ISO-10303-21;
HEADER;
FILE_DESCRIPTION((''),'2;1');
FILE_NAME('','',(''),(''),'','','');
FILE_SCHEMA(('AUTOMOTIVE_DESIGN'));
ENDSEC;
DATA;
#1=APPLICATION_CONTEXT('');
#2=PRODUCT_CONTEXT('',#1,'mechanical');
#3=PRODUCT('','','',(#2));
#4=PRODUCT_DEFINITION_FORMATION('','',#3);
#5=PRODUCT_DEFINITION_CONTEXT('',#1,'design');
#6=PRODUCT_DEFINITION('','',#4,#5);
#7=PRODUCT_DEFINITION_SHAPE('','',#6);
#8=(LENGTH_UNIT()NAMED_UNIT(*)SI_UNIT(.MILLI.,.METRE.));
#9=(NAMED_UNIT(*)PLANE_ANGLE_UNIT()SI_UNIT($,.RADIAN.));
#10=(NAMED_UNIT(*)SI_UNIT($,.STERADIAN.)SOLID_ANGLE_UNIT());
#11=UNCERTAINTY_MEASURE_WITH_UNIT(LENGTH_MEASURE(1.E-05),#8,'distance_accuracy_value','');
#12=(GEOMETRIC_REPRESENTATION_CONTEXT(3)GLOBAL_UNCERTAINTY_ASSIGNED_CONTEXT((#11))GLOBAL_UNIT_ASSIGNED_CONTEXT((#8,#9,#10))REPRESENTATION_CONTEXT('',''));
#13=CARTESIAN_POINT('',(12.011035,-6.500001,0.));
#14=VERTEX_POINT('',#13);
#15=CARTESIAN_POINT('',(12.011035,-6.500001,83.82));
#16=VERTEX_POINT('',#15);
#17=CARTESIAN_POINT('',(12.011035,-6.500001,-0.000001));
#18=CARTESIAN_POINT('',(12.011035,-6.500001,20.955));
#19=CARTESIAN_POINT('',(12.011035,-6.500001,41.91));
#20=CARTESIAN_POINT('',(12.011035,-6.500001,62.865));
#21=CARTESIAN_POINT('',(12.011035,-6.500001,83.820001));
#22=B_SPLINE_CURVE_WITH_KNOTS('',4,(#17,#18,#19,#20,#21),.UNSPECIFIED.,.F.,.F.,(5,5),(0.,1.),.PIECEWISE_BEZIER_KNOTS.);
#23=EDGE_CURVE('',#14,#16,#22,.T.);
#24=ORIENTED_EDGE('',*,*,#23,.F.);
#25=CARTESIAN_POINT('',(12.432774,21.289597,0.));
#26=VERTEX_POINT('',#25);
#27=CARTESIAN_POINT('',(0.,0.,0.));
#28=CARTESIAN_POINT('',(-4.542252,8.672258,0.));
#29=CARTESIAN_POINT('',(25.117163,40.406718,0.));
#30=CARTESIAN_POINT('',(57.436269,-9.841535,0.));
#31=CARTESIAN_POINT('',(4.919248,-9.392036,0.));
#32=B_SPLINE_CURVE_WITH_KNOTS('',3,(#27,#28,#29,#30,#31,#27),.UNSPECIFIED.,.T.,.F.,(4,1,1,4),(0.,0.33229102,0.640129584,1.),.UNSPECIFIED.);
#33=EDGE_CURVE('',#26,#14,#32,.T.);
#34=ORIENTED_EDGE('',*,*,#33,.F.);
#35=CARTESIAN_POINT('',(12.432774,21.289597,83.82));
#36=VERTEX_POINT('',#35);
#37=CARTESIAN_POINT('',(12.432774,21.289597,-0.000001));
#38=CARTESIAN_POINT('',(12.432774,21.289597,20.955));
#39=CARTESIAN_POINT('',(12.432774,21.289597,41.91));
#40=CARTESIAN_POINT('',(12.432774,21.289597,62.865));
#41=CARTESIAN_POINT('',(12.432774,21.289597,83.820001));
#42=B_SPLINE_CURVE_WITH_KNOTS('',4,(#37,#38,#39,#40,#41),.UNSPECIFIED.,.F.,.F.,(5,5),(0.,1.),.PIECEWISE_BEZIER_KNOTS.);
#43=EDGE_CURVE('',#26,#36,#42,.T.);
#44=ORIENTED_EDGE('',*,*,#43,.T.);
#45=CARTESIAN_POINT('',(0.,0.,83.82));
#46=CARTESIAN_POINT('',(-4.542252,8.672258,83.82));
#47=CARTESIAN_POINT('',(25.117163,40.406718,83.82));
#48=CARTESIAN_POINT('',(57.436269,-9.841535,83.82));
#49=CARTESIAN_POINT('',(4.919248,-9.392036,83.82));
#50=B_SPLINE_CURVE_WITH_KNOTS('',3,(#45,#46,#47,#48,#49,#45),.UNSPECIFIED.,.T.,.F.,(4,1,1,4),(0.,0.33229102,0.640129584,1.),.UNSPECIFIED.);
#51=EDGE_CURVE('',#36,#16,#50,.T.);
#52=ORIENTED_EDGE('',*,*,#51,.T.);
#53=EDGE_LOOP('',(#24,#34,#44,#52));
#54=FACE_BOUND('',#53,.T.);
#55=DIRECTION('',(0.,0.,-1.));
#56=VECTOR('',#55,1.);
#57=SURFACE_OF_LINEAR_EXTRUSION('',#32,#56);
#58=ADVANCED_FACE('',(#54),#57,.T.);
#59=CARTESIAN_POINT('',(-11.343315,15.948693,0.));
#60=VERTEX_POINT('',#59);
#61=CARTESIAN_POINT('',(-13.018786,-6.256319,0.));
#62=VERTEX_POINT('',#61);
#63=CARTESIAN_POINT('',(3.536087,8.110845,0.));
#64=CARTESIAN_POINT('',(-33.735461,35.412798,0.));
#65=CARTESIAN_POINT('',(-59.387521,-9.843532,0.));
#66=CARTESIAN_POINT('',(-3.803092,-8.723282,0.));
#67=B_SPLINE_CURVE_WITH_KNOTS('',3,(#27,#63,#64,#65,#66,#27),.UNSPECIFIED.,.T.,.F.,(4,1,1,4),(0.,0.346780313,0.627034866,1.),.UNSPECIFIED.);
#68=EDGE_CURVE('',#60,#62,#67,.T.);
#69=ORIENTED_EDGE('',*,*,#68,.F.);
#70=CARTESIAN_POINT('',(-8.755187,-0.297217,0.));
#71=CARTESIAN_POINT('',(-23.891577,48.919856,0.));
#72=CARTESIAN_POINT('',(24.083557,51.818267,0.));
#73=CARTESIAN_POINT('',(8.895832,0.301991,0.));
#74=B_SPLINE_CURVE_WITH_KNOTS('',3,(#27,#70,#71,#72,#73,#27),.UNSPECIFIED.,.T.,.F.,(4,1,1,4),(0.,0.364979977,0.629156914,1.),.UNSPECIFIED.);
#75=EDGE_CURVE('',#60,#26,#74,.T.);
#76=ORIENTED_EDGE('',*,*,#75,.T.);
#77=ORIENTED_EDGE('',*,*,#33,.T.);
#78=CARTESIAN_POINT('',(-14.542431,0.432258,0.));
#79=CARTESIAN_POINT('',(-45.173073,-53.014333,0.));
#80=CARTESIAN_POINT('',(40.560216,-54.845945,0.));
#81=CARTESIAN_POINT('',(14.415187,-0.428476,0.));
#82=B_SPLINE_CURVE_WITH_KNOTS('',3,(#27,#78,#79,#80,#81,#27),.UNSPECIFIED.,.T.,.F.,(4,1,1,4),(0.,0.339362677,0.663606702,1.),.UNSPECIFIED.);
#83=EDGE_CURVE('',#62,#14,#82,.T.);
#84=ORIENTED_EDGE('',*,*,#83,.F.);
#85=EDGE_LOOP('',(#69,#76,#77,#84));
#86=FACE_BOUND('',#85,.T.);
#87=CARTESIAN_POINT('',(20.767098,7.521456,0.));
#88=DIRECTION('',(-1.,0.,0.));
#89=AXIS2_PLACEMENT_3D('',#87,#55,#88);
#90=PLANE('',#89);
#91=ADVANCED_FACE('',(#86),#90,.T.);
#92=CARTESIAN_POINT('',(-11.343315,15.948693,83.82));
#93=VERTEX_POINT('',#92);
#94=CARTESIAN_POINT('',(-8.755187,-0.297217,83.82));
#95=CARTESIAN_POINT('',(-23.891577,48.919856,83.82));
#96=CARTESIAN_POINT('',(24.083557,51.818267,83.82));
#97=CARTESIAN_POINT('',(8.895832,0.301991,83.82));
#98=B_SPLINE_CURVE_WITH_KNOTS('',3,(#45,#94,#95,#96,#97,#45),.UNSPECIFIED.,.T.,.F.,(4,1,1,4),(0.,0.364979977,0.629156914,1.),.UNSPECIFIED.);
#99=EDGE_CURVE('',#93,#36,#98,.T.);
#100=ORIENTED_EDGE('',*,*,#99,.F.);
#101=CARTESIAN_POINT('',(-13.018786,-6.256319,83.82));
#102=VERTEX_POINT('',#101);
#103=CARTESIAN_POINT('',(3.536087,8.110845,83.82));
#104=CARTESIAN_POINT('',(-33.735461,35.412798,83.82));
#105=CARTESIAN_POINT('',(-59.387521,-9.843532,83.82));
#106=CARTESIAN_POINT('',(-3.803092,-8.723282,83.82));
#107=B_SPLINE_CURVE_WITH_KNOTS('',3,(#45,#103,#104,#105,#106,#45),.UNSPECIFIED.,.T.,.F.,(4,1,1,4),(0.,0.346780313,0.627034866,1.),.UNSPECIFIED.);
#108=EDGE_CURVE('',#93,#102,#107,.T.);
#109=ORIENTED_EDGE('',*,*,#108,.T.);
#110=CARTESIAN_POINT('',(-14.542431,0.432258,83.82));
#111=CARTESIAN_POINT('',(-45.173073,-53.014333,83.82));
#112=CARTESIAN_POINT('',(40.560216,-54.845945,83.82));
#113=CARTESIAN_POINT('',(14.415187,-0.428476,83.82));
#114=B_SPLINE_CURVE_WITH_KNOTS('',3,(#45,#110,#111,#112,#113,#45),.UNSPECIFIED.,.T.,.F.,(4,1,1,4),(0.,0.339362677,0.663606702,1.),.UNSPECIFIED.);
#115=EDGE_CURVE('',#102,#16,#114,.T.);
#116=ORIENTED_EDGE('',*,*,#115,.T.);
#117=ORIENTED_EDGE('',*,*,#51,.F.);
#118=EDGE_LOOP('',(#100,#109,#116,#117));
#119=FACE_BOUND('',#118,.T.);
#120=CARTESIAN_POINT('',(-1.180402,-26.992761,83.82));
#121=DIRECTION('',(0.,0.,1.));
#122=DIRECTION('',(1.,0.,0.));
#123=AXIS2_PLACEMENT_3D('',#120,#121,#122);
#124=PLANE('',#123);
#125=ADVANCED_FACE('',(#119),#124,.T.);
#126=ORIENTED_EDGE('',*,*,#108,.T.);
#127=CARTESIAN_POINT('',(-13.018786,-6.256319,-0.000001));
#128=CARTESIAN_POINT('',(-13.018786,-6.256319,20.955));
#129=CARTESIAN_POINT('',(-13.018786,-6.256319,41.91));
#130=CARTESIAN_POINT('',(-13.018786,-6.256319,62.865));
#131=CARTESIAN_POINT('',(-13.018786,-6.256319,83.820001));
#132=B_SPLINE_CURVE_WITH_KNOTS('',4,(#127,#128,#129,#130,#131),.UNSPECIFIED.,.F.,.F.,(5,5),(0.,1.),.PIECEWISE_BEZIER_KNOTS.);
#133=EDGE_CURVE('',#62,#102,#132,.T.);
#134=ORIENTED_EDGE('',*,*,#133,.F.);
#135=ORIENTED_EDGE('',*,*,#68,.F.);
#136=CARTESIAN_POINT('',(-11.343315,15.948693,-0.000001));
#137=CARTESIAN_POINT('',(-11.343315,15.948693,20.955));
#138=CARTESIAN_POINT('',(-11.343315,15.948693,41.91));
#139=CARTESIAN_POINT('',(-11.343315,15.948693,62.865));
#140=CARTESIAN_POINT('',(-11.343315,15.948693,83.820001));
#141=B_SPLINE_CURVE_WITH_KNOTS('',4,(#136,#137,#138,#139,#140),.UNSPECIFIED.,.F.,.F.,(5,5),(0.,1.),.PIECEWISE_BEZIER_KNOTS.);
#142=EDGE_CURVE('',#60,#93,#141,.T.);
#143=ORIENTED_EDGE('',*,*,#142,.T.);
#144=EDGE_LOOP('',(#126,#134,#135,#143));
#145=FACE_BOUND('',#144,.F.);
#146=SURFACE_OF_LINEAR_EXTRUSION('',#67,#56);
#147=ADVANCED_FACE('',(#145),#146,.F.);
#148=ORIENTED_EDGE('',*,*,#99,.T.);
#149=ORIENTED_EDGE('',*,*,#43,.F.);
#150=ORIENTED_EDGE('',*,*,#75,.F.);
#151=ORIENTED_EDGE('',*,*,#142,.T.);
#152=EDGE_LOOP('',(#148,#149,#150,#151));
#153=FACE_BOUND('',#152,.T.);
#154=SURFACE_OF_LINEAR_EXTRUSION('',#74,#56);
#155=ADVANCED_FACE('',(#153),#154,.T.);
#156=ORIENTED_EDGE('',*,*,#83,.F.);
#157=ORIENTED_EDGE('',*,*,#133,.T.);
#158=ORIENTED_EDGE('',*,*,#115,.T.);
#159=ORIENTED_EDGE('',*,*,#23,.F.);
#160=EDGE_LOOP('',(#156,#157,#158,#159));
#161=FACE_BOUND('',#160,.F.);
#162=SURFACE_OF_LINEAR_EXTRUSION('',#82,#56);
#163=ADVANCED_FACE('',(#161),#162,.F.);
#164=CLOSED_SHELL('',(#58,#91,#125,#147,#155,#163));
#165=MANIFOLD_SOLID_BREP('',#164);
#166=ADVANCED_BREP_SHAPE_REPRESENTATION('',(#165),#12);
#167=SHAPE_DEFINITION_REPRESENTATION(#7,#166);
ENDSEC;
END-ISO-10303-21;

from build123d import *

# Parameters (mm, degrees)
F1_DEPTH = 83.82
F3_DEPTH = 83.82
F5_DEPTH = 83.82
F7_DEPTH = 83.82


with BuildPart() as f1:
    # F0 (on Top) → F1 (new body)
    with BuildSketch(Plane.XY):
        with BuildLine():
            add(Edge.make_bspline(
                [(0, 0), (-4.542251788, 8.6722579806), (25.117162513, 40.4067182608), (57.4362688361, -9.8415354303), (4.9192483223, -9.3920356053), (0, 0)],
                knots=[0, 0, 0, 0, 0.3322910196, 0.640129584, 1, 1, 1, 1], degree=3))
        make_face()
    extrude(amount=F1_DEPTH)

    # F2 (on Top) → F3 (join)
    with BuildSketch(Plane.XY):
        with BuildLine():
            add(Edge.make_bspline(
                [(0, 0), (3.5360873129, 8.1108450651), (-33.7354607969, 35.4127978008), (-59.3875210851, -9.8435318092), (-3.8030915501, -8.7232818657), (0, 0)],
                knots=[0, 0, 0, 0, 0.3467803128, 0.6270348663, 1, 1, 1, 1], degree=3))
        make_face()
    extrude(amount=F3_DEPTH)

    # F4 (on Top) → F5 (join)
    with BuildSketch(Plane.XY):
        with BuildLine():
            add(Edge.make_bspline(
                [(0, 0), (-8.7551870735, -0.2972169463), (-23.8915766626, 48.9198558265), (24.0835572587, 51.8182670564), (8.8958321097, 0.3019914974), (0, 0)],
                knots=[0, 0, 0, 0, 0.3649799766, 0.6291569137, 1, 1, 1, 1], degree=3))
        make_face()
    extrude(amount=F5_DEPTH)

    # F6 (on Top) → F7 (join)
    with BuildSketch(Plane.XY):
        with BuildLine():
            add(Edge.make_bspline(
                [(0, 0), (-14.5424313234, 0.4322577323), (-45.1730729091, -53.0143331062), (40.5602157338, -54.8459450659), (14.4151869246, -0.4284755329), (0, 0)],
                knots=[0, 0, 0, 0, 0.3393626771, 0.6636067025, 1, 1, 1, 1], degree=3))
        make_face()
    extrude(amount=F7_DEPTH)


solid = f1.part
